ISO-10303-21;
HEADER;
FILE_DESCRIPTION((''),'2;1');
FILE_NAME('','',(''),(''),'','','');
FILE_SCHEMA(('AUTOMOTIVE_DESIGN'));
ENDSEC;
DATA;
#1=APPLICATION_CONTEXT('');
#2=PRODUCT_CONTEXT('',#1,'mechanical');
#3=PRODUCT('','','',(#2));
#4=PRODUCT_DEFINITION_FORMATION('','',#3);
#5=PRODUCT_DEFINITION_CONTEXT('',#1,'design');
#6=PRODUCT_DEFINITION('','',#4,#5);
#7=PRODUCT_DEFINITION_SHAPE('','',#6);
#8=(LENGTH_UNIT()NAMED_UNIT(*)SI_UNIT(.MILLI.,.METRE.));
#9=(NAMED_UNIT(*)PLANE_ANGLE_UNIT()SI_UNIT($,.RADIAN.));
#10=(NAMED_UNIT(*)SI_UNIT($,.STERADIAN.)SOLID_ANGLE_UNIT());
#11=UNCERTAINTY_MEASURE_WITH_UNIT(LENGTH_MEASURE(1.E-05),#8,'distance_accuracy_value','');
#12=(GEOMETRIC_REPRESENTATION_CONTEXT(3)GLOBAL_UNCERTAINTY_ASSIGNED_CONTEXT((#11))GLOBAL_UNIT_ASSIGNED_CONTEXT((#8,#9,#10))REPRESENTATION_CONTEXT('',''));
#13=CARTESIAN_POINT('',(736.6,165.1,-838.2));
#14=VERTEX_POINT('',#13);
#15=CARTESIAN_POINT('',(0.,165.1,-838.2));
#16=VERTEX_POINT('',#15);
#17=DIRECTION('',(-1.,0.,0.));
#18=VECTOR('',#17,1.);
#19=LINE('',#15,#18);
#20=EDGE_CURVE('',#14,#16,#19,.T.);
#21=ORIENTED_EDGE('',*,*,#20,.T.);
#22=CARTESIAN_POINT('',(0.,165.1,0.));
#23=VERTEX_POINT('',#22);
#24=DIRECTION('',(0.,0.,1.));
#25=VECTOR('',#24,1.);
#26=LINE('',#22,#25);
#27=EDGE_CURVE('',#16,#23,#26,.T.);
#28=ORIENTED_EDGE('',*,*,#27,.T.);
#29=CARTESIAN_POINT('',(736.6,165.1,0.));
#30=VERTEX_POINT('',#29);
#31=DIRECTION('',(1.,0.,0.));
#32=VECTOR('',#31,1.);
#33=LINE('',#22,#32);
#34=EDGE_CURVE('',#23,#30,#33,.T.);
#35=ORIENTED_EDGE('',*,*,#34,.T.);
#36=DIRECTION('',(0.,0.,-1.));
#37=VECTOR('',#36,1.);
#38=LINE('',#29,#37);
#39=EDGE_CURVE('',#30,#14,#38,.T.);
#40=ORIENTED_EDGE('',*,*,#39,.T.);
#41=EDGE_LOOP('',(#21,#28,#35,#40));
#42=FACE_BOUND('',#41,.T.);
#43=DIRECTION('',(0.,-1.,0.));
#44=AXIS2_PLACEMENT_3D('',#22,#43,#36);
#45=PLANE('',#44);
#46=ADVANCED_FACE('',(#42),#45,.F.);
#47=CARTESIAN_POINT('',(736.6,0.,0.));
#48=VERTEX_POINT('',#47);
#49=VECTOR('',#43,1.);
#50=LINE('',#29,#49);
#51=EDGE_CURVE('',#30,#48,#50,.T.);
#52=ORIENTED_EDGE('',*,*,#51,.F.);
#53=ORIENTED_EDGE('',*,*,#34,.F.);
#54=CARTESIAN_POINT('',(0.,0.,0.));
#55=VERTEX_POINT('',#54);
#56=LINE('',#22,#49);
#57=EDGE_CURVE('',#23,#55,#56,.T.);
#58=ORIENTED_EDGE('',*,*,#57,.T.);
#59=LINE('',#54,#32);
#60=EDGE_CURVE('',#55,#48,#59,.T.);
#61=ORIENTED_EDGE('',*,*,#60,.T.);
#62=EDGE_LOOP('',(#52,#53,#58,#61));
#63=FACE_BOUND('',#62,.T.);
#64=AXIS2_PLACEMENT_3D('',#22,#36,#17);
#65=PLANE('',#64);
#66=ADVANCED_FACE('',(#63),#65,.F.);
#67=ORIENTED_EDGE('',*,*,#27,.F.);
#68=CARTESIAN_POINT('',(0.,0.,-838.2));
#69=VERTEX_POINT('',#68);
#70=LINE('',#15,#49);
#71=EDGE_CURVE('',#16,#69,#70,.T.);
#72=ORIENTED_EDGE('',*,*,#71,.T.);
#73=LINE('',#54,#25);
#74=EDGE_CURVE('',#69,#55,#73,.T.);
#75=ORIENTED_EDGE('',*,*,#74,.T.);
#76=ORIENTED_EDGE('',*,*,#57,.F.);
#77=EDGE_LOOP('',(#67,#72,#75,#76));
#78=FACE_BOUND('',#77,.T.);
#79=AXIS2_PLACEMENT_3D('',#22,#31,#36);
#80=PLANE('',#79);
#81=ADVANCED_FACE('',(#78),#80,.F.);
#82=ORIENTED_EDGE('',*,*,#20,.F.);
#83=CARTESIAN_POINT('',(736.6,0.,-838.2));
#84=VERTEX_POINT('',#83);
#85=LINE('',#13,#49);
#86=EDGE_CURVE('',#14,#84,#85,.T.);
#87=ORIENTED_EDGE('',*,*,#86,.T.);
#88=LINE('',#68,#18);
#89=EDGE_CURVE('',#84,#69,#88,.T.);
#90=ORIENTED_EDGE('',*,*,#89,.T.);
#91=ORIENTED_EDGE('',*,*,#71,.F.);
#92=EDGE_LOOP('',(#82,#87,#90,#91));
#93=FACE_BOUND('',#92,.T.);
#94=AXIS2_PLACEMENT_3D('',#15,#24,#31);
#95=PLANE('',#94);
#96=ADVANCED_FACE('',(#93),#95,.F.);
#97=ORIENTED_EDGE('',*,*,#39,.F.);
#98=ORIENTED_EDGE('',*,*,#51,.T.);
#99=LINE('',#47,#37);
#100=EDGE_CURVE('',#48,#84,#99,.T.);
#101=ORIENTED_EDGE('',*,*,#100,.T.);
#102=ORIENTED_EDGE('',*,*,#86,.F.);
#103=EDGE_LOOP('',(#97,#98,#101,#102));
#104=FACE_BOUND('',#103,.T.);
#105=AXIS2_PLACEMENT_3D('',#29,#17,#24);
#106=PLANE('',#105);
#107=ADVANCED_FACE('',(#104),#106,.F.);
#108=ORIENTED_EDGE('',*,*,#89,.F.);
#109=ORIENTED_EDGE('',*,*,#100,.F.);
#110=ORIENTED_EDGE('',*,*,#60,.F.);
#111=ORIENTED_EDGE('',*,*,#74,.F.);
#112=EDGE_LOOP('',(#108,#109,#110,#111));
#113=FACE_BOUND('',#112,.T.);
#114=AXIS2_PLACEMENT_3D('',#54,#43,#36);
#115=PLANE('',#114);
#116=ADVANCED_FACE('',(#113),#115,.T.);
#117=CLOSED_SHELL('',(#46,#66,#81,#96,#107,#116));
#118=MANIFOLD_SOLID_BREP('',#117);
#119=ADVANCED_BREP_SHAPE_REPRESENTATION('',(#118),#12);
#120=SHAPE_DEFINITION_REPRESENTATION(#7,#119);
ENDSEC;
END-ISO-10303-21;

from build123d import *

# Parameters (mm, degrees)
SKETCH1_W           = 736.6
SKETCH1_H           = 838.2
BOSS_EXTRUDE1_DEPTH = 165.1


with BuildPart() as part:
    # Sketch1 → Boss-Extrude1 (new body)
    with BuildSketch(Plane(origin=(0, 0, 0), x_dir=(1, 0, 0), z_dir=(0, 1, 0))):
        with Locations((368.3, 419.1)):
            Rectangle(SKETCH1_W, SKETCH1_H)
    extrude(amount=BOSS_EXTRUDE1_DEPTH)


solid = part.part
